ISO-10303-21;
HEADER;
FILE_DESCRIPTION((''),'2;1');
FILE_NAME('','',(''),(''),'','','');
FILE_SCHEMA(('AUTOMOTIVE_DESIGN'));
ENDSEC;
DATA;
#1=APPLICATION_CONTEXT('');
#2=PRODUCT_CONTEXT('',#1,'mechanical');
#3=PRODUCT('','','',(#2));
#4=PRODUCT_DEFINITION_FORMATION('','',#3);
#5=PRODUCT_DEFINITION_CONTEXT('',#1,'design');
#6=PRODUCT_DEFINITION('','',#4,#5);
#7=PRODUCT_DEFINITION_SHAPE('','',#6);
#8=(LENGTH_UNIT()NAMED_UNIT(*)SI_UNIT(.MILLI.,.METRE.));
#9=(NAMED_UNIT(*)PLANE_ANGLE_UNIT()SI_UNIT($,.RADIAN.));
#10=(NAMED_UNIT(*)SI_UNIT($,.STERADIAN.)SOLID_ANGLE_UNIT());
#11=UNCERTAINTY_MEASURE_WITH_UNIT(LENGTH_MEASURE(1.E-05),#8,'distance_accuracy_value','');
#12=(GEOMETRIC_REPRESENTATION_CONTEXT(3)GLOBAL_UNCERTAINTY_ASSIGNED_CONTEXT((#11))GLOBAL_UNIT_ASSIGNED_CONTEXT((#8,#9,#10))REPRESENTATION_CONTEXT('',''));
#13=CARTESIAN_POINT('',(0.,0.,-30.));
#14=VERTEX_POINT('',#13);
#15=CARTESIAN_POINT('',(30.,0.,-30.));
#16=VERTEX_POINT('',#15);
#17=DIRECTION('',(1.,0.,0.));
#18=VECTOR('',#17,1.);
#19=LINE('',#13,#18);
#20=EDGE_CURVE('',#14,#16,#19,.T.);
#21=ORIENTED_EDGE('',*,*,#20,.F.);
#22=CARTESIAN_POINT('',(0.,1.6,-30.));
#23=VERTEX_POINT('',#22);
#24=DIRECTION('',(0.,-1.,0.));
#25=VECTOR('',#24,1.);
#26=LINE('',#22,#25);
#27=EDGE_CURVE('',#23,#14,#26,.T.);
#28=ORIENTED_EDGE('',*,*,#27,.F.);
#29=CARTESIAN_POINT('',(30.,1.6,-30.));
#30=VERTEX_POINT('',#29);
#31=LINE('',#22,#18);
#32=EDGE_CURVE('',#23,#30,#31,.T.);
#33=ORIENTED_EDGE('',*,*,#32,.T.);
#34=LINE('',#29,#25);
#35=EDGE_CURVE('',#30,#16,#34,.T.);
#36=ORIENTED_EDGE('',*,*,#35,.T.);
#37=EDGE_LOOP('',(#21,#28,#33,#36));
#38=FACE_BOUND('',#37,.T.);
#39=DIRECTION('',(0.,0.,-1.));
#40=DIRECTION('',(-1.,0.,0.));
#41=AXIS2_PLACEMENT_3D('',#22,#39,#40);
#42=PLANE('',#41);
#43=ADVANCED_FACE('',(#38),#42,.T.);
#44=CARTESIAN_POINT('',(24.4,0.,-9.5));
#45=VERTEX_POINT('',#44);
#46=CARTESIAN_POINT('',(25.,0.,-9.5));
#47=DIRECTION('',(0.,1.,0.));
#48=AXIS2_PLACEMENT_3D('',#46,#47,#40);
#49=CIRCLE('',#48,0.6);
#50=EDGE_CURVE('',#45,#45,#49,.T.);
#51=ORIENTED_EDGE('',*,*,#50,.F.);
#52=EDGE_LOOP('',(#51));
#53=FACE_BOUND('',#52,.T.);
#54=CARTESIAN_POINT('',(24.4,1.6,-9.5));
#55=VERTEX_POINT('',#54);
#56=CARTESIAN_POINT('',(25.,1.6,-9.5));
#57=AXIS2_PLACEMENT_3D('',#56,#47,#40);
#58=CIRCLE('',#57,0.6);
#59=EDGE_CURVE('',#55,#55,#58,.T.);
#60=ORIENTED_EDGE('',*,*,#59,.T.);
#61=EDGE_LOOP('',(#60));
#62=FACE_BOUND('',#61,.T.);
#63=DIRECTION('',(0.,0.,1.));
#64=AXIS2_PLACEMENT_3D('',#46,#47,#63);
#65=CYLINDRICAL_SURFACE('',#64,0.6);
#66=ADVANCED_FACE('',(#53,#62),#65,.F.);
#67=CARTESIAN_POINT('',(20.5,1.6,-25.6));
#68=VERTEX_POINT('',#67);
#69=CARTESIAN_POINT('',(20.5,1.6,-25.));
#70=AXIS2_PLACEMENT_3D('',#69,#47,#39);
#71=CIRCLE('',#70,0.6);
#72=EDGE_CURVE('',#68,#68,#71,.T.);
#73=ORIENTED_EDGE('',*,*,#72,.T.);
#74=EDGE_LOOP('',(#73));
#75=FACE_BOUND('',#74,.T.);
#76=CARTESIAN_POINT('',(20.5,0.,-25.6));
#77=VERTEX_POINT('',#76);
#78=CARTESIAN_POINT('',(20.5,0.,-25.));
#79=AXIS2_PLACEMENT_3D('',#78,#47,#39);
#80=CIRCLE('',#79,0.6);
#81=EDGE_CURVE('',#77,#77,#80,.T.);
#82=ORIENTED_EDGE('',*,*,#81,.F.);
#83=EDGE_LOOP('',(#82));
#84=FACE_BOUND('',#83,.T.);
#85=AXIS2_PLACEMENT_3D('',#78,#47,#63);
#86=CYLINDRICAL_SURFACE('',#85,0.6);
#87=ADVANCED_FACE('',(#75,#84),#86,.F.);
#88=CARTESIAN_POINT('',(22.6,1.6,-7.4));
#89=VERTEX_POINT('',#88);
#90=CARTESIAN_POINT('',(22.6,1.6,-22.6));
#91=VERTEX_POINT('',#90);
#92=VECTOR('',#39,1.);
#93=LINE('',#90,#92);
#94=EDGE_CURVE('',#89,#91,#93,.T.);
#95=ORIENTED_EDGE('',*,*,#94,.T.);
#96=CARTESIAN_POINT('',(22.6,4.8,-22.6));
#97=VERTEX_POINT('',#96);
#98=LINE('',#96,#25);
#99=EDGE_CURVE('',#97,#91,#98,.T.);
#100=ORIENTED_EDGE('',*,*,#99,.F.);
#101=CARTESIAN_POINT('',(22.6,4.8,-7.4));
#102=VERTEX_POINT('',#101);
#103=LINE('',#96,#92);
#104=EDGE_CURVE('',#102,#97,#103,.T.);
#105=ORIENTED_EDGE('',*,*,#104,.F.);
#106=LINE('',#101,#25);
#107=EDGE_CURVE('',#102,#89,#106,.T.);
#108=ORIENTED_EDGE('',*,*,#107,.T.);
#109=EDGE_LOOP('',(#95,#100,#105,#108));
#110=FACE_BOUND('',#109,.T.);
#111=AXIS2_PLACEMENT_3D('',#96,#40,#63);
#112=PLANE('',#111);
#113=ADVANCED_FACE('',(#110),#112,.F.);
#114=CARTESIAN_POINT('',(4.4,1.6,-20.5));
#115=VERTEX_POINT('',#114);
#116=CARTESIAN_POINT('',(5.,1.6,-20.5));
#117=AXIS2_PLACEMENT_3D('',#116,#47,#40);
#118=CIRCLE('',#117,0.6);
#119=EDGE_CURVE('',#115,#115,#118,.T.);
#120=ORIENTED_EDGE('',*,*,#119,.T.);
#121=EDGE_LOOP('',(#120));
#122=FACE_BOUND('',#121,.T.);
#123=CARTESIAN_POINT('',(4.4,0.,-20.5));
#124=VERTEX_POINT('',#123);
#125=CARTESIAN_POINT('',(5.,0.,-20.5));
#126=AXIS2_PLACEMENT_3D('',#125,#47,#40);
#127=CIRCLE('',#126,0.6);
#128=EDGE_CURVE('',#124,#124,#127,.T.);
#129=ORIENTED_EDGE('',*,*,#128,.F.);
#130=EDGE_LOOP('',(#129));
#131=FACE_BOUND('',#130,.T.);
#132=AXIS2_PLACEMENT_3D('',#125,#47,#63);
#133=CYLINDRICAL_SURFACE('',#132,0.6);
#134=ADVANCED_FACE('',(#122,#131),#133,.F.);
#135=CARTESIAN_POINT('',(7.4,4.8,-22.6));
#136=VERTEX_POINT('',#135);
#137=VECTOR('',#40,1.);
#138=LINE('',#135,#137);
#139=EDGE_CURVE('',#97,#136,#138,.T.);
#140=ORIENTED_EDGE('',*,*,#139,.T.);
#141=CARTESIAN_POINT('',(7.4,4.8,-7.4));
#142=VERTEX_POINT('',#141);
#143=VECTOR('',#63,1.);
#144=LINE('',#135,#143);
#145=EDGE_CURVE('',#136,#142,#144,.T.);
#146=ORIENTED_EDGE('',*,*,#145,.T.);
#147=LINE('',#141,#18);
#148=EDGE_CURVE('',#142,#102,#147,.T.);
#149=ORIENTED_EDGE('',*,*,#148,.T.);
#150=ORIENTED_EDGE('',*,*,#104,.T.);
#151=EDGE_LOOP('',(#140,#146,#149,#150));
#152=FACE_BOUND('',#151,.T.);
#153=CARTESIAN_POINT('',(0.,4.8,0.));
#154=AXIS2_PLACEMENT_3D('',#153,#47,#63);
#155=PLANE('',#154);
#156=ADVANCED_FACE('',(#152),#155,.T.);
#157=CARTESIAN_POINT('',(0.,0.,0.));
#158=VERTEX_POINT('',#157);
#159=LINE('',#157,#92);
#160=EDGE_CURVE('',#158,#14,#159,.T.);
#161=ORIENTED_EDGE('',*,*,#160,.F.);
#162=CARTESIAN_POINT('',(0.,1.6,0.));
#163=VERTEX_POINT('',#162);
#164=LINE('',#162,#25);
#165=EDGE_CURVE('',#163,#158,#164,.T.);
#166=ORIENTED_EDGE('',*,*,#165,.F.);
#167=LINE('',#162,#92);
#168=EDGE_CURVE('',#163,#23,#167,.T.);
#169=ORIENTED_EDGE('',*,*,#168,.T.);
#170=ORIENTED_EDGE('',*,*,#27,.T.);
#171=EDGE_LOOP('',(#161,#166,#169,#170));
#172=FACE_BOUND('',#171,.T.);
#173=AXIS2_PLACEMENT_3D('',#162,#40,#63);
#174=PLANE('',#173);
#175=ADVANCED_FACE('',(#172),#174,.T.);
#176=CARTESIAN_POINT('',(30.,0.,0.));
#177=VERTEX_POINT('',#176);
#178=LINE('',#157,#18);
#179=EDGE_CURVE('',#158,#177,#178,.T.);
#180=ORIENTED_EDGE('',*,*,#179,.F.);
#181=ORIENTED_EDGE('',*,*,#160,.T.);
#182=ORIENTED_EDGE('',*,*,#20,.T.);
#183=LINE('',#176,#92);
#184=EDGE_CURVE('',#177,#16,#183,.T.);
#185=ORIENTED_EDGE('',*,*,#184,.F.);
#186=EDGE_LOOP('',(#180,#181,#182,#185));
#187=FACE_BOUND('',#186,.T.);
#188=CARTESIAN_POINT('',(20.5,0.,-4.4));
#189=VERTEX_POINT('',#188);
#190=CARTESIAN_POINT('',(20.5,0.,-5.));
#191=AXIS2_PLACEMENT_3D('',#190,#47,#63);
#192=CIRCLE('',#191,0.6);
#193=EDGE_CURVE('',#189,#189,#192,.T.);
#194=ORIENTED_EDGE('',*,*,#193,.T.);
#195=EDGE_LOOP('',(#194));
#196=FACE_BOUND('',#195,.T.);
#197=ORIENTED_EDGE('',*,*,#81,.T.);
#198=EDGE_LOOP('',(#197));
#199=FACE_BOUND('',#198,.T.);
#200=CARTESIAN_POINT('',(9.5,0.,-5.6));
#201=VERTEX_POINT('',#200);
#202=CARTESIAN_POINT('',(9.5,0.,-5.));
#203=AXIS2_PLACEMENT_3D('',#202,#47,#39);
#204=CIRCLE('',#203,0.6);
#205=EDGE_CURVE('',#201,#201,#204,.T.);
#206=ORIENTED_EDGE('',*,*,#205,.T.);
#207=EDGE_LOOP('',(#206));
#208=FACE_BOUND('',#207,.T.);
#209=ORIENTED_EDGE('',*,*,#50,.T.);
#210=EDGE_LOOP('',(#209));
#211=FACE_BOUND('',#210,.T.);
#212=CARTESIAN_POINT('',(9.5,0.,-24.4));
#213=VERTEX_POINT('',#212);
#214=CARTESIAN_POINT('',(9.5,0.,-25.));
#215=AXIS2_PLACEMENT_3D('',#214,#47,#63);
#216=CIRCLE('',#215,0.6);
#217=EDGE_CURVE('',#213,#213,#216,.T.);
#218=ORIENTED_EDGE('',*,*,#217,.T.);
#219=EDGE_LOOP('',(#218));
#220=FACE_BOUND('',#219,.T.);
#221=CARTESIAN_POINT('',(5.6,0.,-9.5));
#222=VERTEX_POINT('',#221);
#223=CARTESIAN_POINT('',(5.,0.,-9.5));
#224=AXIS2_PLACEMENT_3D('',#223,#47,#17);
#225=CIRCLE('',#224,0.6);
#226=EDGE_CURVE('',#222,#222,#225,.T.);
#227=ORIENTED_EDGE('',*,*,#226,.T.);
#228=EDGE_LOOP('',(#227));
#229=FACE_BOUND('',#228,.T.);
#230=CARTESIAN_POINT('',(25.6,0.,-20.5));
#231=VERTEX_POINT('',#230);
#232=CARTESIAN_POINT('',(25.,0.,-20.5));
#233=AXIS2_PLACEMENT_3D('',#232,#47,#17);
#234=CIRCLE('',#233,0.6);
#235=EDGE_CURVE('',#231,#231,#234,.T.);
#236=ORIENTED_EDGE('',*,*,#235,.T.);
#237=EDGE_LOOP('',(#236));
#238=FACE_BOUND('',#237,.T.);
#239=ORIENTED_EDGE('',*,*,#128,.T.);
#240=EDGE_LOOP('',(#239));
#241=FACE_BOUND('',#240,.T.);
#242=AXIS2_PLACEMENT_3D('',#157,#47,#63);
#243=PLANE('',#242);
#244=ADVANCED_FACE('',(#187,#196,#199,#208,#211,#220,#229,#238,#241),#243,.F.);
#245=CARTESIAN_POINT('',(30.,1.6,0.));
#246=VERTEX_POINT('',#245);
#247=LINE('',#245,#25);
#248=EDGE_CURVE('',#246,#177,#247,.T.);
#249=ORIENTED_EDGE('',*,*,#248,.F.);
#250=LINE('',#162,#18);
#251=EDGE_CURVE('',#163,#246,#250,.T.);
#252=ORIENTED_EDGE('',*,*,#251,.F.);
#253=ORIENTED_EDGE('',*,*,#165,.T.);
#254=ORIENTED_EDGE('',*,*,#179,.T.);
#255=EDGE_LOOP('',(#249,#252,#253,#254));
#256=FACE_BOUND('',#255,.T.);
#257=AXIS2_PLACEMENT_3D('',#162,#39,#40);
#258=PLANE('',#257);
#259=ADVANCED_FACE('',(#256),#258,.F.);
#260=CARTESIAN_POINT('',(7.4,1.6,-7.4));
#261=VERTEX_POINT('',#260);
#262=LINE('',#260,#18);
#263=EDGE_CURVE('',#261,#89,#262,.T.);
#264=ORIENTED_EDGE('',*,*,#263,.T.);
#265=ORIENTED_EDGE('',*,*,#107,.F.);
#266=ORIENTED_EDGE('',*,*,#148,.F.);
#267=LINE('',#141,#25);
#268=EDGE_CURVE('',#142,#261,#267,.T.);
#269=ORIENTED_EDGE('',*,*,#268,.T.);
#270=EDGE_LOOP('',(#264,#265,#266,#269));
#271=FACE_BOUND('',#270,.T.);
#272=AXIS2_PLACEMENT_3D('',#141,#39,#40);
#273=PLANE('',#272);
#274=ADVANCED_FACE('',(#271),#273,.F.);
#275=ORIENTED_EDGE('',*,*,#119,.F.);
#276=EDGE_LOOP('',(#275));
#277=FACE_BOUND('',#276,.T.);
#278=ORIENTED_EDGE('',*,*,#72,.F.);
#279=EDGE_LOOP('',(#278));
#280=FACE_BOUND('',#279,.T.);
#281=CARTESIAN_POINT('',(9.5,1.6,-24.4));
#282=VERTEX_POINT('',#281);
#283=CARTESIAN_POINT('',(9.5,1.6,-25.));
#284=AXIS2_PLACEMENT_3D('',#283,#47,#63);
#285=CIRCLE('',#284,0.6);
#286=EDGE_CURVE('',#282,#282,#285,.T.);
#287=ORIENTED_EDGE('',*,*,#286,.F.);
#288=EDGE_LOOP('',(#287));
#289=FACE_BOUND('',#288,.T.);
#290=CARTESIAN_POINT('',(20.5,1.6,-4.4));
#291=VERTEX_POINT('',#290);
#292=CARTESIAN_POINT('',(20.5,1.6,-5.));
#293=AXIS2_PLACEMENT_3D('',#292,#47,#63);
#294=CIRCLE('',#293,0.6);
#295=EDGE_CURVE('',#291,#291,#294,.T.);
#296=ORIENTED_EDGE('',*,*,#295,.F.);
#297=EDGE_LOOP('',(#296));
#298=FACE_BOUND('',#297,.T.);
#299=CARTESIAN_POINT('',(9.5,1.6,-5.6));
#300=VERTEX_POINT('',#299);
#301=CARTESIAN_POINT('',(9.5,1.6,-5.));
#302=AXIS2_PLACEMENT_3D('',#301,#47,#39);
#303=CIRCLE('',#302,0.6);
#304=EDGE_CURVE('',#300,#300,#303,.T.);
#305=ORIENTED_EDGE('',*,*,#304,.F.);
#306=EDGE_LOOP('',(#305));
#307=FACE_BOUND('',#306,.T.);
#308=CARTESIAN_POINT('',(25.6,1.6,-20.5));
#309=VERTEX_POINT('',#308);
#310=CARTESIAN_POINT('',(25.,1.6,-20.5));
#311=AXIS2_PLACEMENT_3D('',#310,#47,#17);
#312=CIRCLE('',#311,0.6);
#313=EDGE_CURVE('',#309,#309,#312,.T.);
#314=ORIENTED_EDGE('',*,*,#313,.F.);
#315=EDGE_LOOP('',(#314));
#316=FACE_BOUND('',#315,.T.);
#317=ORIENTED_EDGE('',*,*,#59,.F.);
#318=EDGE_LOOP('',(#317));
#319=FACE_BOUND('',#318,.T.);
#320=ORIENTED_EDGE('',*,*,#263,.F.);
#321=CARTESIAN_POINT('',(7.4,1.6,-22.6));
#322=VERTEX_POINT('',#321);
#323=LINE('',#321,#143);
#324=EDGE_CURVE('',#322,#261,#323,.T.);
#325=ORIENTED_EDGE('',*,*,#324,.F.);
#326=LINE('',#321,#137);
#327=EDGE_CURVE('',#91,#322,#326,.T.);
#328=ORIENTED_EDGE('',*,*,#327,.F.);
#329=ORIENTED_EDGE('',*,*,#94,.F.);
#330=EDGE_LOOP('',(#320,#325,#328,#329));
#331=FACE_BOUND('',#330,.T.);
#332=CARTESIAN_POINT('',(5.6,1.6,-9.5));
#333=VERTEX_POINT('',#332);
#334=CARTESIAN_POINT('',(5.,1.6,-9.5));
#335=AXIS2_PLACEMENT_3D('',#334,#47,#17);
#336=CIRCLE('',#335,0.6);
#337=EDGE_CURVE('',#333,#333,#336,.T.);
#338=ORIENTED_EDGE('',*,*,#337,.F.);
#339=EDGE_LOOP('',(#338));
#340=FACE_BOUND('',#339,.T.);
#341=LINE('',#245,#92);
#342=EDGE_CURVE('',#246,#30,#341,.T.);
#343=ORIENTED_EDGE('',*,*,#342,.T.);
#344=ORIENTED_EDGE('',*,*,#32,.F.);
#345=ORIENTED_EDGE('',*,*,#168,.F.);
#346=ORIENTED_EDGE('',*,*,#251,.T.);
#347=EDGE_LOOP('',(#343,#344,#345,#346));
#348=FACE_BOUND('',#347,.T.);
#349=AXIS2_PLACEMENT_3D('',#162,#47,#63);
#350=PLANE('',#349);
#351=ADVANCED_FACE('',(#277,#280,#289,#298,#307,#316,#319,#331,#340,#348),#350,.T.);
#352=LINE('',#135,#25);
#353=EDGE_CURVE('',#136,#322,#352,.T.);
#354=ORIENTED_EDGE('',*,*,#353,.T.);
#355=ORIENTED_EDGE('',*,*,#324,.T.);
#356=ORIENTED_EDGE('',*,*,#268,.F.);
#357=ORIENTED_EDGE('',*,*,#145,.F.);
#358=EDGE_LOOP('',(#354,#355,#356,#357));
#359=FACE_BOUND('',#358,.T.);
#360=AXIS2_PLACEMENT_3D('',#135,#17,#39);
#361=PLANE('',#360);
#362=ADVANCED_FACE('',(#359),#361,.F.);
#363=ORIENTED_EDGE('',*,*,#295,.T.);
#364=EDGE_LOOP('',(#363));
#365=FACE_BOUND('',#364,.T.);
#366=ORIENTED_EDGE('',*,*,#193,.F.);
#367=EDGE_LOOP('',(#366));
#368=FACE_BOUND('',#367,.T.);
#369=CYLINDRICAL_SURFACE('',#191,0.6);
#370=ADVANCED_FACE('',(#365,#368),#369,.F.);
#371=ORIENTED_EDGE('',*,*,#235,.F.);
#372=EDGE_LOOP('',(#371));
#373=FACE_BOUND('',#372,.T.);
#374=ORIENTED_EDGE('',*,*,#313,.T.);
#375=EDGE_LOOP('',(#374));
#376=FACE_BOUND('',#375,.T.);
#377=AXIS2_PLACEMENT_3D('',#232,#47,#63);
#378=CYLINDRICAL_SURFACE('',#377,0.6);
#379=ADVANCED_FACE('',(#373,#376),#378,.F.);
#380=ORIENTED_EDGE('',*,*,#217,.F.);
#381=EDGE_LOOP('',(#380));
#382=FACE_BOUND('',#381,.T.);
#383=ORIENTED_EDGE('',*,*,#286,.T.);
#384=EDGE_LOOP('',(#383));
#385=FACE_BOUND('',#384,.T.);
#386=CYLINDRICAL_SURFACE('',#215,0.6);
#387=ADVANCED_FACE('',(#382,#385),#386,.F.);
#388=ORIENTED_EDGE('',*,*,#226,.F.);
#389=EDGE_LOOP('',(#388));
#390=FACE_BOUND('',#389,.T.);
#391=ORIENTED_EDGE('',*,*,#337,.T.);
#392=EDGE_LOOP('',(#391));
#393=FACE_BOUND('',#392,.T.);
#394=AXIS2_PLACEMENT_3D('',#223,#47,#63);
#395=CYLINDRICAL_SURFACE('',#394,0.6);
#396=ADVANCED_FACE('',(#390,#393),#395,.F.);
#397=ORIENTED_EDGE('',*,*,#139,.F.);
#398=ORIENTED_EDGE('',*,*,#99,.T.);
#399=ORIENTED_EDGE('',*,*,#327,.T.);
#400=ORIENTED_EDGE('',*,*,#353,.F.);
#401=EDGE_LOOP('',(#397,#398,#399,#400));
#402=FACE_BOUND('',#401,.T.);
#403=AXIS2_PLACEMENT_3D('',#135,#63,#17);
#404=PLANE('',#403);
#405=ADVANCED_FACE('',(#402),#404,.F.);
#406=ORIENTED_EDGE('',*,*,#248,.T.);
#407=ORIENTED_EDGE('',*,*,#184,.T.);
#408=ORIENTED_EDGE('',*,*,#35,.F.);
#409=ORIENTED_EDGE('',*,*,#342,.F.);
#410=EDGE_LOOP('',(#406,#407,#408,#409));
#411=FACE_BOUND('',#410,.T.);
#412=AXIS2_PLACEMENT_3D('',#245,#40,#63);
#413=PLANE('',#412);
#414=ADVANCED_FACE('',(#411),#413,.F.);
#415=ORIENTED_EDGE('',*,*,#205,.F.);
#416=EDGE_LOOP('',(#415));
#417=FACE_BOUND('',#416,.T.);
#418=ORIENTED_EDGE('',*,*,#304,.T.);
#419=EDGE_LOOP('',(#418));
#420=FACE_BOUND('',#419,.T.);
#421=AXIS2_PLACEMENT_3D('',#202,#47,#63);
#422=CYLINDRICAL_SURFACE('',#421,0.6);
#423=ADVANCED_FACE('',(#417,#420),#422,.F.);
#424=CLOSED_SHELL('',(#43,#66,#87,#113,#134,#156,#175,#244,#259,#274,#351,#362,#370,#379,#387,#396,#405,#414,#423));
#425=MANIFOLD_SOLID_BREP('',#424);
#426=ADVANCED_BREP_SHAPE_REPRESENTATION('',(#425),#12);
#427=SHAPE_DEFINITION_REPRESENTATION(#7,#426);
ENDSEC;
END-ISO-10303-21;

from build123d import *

# Parameters (mm, degrees)
SKETCH1_W           = 30
SKETCH1_H           = 30
BOSS_EXTRUDE1_DEPTH = 1.6
SKETCH2_R           = 0.6
CUT_EXTRUDE1_DEPTH  = 1.6
CIRPATTERN1_COUNT   = 2
CIRPATTERN1_ANGLE   = 90
SKETCH4_W           = 15.2
SKETCH4_H           = 15.2
BOSS_EXTRUDE2_DEPTH = 3.2


with BuildPart() as part:
    # Sketch1 → Boss-Extrude1 (new body)
    with BuildSketch(Plane(origin=(0, 0, 0), x_dir=(1, 0, 0), z_dir=(0, 1, 0))):
        with Locations((15, 15)):
            Rectangle(SKETCH1_W, SKETCH1_H)
    extrude(amount=BOSS_EXTRUDE1_DEPTH)

    # Sketch2 → Cut-Extrude1 (cut)
    with BuildSketch(Plane(origin=(0, 1.6, 0), x_dir=(1, 0, 0), z_dir=(0, 1, 0))):
        with Locations((20.5, 5)):
            Circle(SKETCH2_R)
        with Locations((9.5, 5)):
            Circle(SKETCH2_R)
        with Locations((20.5, 25)):
            Circle(SKETCH2_R)
        with Locations((9.5, 25)):
            Circle(SKETCH2_R)
    cut_extrude1 = extrude(amount=-CUT_EXTRUDE1_DEPTH, mode=Mode.SUBTRACT)

    # CirPattern1: Cut-Extrude1 ×2 about axis
    cirpattern1_axis = Axis((15, 0, -15), (0, 1, 0))
    for i in range(1, CIRPATTERN1_COUNT):
        add(cut_extrude1.rotate(cirpattern1_axis, i * CIRPATTERN1_ANGLE / (CIRPATTERN1_COUNT - 1)), mode=Mode.SUBTRACT)

    # Sketch4 → Boss-Extrude2 (add)
    with BuildSketch(Plane(origin=(0, 1.6, 0), x_dir=(1, 0, 0), z_dir=(0, 1, 0))):
        with Locations((15, 15)):
            Rectangle(SKETCH4_W, SKETCH4_H)
    extrude(amount=BOSS_EXTRUDE2_DEPTH)


solid = part.part
